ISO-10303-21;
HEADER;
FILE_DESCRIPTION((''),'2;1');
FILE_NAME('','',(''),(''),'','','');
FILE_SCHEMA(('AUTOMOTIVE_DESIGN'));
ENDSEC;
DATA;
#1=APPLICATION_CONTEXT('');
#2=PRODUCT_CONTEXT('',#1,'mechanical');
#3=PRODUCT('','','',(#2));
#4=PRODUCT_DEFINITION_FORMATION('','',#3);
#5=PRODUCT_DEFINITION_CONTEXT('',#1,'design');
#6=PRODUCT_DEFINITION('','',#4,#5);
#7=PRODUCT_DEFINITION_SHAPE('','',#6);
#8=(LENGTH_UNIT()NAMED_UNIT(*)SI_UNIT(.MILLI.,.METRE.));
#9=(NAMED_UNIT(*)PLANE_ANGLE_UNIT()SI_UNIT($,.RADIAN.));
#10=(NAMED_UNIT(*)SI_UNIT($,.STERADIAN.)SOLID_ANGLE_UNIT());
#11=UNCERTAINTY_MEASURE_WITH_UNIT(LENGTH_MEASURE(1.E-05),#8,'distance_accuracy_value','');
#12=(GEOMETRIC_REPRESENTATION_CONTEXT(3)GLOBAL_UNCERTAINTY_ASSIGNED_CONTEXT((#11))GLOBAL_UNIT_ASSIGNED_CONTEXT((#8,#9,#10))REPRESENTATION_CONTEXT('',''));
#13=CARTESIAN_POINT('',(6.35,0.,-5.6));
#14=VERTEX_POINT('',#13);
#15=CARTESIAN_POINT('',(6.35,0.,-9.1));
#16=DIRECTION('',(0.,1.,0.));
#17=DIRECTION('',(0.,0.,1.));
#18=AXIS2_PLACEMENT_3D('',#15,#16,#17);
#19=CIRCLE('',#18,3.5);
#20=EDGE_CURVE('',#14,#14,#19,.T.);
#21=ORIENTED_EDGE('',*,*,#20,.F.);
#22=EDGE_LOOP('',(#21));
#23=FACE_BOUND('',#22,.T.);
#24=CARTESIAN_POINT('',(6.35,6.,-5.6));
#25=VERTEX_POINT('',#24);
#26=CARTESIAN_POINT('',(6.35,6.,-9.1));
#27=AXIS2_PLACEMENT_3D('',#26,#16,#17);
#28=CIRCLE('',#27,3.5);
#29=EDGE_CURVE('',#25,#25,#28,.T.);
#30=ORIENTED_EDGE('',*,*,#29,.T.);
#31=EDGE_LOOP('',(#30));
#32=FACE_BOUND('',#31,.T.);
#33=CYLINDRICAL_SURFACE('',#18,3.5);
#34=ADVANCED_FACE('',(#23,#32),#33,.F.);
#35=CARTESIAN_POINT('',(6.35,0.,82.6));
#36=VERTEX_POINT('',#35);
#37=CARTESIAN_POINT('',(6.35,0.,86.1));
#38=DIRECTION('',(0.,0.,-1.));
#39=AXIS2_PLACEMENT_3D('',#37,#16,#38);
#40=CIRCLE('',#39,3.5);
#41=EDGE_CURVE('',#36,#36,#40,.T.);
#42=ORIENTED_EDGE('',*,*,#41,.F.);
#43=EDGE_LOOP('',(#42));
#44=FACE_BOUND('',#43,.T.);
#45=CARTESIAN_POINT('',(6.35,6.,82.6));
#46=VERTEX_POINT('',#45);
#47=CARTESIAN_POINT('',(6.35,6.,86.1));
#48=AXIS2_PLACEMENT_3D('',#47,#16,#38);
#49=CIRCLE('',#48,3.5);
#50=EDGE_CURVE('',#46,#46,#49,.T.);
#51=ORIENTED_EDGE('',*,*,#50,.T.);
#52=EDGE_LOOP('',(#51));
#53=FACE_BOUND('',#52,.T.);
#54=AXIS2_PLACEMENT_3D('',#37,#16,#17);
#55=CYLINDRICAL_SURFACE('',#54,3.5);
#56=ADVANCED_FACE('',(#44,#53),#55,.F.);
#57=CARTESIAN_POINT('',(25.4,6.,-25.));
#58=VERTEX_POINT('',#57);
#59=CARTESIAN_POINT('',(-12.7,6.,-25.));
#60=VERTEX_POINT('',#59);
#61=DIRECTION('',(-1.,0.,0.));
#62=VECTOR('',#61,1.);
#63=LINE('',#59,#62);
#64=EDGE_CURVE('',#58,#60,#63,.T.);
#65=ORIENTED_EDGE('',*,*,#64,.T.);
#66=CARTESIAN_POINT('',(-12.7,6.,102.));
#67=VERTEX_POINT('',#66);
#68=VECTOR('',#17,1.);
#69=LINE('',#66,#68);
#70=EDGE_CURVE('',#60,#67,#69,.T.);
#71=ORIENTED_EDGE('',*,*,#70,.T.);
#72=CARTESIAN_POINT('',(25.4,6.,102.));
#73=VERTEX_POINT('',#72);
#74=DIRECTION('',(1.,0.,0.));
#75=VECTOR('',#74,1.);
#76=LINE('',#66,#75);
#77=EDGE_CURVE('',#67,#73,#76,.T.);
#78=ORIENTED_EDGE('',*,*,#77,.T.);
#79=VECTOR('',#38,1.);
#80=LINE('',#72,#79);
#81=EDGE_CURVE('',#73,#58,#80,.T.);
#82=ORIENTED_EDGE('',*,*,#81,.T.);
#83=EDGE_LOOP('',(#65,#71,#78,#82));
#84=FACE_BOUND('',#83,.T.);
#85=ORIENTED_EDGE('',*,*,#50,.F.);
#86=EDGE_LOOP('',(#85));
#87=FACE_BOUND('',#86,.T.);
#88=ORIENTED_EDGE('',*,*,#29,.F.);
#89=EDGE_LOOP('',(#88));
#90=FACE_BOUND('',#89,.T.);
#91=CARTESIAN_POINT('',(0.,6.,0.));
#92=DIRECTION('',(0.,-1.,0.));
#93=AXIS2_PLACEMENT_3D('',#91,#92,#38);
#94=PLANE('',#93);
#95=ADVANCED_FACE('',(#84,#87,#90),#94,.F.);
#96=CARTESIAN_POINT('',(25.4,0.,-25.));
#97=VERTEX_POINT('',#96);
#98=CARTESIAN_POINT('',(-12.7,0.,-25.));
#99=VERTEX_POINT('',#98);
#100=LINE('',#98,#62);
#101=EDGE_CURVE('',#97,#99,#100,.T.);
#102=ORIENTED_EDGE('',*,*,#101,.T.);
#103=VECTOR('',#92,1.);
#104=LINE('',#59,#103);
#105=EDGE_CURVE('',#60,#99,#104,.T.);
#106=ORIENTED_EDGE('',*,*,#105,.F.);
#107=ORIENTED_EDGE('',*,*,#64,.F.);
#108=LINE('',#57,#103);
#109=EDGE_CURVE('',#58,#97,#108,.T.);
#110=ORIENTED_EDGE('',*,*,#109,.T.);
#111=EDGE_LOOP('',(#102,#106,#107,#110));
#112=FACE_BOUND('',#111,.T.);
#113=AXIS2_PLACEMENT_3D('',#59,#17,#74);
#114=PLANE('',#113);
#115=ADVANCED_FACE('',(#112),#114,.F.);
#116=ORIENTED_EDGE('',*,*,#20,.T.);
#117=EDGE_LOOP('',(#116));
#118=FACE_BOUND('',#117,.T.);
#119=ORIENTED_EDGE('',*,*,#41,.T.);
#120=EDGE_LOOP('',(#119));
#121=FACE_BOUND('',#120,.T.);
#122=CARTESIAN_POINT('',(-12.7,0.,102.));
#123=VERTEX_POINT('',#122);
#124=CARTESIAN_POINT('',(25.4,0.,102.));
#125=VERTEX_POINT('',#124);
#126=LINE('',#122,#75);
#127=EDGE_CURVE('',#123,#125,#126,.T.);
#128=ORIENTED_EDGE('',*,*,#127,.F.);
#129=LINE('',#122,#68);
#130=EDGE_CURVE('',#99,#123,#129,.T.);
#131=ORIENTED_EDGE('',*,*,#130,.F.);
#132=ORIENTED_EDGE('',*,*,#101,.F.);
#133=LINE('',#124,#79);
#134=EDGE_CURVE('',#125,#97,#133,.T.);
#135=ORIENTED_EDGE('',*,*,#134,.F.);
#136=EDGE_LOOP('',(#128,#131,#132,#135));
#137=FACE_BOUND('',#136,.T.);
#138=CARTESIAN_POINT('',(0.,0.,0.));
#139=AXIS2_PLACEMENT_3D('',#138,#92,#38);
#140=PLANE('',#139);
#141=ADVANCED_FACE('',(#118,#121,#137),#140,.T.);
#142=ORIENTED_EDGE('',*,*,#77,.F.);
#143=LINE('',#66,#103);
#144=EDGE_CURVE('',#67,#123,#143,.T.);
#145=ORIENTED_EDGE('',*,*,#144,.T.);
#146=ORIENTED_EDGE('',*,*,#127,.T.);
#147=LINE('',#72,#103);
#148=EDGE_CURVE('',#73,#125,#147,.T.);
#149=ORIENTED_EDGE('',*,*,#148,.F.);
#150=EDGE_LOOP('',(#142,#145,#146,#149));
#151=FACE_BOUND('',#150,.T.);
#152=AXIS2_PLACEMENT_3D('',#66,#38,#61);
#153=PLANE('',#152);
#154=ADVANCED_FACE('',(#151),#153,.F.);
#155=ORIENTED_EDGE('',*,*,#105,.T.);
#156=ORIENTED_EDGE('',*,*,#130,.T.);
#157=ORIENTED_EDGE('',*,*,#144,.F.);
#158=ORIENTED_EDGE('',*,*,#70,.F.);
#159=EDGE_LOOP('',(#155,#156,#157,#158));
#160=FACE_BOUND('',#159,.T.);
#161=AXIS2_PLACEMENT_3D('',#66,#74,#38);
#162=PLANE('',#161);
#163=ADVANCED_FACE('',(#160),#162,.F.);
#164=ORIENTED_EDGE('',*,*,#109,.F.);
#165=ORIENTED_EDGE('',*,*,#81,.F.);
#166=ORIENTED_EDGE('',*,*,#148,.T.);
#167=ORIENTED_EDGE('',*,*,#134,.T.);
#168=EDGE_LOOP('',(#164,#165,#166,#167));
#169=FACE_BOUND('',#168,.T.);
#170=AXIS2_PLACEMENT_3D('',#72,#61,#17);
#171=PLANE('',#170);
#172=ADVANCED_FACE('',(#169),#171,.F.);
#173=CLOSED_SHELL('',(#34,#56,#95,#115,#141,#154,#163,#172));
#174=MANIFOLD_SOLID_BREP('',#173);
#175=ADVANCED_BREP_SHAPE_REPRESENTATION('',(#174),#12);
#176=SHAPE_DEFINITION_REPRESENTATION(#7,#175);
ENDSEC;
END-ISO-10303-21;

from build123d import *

# Parameters (mm, degrees)
SKETCH1_W           = 38.1
SKETCH1_H           = 127
BOSS_EXTRUDE1_DEPTH = 6
SKETCH2_R           = 3.5
CUT_EXTRUDE1_DEPTH  = 7


with BuildPart() as part:
    # Sketch1 → Boss-Extrude1 (new body)
    with BuildSketch(Plane(origin=(0, 0, 0), x_dir=(1, 0, 0), z_dir=(0, 1, 0))):
        with Locations((6.35, -38.5)):
            Rectangle(SKETCH1_W, SKETCH1_H)
    extrude(amount=BOSS_EXTRUDE1_DEPTH)

    # Sketch2 → Cut-Extrude1 (cut, through all)
    with BuildSketch(Plane(origin=(0, 6, 0), x_dir=(1, 0, 0), z_dir=(0, 1, 0))):
        with Locations((6.35, 9.1)):
            Circle(SKETCH2_R)
        with Locations((6.35, -86.1)):
            Circle(SKETCH2_R)
    extrude(amount=-CUT_EXTRUDE1_DEPTH, mode=Mode.SUBTRACT)


solid = part.part
